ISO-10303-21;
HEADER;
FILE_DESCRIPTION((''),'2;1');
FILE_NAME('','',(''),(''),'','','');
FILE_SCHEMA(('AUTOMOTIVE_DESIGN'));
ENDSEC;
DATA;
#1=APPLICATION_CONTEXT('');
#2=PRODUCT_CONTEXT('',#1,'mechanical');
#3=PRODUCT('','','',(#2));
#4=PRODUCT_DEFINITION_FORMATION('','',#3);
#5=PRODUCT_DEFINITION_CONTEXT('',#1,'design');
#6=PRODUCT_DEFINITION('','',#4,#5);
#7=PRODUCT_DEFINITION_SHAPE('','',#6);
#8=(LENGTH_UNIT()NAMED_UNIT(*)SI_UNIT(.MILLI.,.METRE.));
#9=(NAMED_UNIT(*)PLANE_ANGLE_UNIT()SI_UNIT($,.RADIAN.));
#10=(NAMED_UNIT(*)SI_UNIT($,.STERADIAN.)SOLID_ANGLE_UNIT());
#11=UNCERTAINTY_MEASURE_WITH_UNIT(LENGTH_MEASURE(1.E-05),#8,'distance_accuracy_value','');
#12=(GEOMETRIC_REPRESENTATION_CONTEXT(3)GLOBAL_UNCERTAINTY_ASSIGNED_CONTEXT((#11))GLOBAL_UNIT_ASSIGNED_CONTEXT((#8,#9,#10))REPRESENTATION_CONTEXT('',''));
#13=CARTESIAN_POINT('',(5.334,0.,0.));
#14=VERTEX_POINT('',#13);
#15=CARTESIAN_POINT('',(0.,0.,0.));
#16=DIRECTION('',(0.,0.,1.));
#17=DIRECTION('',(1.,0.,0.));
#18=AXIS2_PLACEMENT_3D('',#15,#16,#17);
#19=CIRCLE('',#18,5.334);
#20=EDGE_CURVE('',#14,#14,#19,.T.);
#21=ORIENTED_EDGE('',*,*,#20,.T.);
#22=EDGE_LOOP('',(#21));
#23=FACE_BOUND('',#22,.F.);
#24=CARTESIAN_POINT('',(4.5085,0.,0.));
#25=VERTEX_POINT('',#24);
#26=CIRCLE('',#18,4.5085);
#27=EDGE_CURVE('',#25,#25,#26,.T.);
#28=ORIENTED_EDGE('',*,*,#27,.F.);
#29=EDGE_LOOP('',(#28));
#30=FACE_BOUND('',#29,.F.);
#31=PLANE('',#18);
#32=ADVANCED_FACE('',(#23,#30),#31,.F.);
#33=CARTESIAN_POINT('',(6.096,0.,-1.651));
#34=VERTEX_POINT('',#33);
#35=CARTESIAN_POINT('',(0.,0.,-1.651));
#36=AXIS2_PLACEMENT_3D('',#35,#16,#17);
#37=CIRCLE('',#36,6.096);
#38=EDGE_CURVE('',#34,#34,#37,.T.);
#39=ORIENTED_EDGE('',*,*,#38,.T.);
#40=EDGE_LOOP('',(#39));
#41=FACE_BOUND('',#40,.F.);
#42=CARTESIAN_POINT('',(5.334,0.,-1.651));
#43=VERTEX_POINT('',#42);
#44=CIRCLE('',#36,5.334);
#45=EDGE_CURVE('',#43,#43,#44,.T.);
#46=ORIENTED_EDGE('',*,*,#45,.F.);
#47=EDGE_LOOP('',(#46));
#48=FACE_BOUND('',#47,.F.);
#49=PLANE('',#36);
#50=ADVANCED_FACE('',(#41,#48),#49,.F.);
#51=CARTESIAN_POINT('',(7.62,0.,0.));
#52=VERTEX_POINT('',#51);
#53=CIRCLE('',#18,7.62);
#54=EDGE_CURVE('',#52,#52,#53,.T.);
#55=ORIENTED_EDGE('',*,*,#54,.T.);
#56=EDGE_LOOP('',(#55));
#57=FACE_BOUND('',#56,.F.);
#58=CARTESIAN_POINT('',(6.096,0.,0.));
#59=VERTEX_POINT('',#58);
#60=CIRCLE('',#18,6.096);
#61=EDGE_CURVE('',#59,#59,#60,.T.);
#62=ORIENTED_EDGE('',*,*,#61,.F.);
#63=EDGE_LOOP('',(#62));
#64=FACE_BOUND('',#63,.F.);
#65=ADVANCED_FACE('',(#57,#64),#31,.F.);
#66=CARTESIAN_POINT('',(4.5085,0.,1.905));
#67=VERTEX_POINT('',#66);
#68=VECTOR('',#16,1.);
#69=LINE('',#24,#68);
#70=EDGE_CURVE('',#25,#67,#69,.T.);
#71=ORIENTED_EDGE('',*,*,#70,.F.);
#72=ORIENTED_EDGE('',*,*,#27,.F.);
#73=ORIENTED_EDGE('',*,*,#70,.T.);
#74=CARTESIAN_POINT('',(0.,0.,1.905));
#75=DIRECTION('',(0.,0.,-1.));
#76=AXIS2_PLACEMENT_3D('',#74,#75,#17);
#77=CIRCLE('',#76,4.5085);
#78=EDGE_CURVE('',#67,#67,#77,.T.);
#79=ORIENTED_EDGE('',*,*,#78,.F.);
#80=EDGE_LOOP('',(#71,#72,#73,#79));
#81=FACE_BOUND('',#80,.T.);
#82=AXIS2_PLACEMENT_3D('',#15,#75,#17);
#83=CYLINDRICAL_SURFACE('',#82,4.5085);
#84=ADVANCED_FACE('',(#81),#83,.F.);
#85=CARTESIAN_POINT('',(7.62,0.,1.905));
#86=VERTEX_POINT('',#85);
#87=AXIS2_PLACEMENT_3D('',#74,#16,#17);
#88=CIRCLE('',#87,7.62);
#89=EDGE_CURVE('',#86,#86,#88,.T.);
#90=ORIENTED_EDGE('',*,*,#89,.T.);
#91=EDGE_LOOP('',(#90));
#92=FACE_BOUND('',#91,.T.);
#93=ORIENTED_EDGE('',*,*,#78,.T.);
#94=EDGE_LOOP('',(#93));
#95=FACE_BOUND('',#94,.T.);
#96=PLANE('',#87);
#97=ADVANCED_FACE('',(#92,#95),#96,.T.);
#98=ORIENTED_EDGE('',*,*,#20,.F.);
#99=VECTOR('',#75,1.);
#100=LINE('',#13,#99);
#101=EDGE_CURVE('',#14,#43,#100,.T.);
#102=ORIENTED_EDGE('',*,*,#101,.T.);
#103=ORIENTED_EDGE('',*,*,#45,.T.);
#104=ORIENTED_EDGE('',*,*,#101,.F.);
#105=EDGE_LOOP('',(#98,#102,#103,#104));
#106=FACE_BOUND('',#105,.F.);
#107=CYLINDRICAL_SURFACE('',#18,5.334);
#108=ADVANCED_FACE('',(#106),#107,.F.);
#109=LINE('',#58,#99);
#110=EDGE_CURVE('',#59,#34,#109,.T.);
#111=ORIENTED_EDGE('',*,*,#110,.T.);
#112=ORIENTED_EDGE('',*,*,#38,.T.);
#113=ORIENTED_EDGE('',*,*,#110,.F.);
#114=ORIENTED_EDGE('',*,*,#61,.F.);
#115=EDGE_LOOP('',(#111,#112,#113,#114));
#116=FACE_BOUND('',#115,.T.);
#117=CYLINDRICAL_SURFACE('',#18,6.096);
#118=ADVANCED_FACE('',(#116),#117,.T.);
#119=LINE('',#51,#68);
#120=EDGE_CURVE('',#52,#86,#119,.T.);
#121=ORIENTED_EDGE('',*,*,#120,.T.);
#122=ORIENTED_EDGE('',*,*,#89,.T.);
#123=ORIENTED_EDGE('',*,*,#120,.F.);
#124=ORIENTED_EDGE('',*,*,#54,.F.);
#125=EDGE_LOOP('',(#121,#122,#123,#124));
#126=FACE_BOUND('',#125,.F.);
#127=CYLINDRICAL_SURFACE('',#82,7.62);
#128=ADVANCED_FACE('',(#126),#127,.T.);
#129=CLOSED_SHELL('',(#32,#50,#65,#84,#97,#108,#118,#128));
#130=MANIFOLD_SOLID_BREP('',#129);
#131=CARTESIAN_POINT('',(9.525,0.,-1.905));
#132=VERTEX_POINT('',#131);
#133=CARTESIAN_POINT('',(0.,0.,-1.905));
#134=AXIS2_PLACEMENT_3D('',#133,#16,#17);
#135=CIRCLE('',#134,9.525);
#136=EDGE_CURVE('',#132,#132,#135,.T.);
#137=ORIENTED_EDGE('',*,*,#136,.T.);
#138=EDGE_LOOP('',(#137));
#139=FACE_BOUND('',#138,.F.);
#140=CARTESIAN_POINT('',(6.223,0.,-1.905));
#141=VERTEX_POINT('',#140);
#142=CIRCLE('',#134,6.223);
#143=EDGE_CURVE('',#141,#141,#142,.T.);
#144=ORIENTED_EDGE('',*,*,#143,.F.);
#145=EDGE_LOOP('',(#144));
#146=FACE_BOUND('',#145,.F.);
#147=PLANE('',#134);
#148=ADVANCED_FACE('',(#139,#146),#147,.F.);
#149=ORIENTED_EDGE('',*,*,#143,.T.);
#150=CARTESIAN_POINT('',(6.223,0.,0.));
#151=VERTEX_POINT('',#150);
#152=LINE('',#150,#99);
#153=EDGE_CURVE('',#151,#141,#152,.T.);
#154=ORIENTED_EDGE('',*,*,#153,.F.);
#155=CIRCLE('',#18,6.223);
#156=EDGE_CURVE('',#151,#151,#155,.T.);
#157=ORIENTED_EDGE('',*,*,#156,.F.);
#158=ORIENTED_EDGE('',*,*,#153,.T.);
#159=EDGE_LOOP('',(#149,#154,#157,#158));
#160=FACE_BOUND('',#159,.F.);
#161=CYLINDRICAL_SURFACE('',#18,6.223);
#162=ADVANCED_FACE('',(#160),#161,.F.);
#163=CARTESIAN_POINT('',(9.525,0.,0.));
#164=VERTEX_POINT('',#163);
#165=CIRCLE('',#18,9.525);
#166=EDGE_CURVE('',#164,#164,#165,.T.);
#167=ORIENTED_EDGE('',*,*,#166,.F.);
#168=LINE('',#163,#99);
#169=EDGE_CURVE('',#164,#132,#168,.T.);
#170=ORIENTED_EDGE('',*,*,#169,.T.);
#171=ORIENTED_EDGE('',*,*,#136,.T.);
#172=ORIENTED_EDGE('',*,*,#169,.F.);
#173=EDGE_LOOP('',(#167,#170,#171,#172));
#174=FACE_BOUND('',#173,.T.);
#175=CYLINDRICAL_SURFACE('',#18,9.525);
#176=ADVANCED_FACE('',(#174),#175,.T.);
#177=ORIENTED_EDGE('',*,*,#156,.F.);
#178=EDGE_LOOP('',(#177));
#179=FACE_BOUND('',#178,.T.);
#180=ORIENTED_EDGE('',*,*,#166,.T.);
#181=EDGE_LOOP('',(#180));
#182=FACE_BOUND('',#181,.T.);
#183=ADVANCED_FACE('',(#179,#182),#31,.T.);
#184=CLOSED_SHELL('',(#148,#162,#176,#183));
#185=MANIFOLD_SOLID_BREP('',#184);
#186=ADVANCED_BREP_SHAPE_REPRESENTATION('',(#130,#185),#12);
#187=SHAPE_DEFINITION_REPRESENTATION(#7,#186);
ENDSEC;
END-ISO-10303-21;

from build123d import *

# Parameters (mm, degrees)
SKETCH_R      = 9.525
SKETCH_R_2    = 6.223
PAD_DEPTH     = 1.905
SKETCH001_R   = 6.096
SKETCH001_R_2 = 5.334
PAD001_DEPTH  = 1.651
SKETCH002_R   = 7.62
PAD002_DEPTH  = 1.905
SKETCH003_R   = 4.5085
HOLE_DEPTH    = 1.906


with BuildPart() as lower_washer:
    # Sketch → Pad (new body)
    with BuildSketch(Plane.XY):
        Circle(SKETCH_R)
        Circle(SKETCH_R_2, mode=Mode.SUBTRACT)
    extrude(amount=-PAD_DEPTH)


with BuildPart() as upper_washer:
    # Sketch001 → Pad001 (new body)
    with BuildSketch(Plane.XY):
        Circle(SKETCH001_R)
        Circle(SKETCH001_R_2, mode=Mode.SUBTRACT)
    extrude(amount=-PAD001_DEPTH)

    # Sketch002 → Pad002 (join)
    with BuildSketch(Plane.XY):
        Circle(SKETCH002_R)
    extrude(amount=PAD002_DEPTH)

    # Sketch003 → Hole (cut, through all)
    with BuildSketch(Plane.XY):
        Circle(SKETCH003_R)
    extrude(amount=HOLE_DEPTH, mode=Mode.SUBTRACT)


solid = Compound([lower_washer.part, upper_washer.part])
